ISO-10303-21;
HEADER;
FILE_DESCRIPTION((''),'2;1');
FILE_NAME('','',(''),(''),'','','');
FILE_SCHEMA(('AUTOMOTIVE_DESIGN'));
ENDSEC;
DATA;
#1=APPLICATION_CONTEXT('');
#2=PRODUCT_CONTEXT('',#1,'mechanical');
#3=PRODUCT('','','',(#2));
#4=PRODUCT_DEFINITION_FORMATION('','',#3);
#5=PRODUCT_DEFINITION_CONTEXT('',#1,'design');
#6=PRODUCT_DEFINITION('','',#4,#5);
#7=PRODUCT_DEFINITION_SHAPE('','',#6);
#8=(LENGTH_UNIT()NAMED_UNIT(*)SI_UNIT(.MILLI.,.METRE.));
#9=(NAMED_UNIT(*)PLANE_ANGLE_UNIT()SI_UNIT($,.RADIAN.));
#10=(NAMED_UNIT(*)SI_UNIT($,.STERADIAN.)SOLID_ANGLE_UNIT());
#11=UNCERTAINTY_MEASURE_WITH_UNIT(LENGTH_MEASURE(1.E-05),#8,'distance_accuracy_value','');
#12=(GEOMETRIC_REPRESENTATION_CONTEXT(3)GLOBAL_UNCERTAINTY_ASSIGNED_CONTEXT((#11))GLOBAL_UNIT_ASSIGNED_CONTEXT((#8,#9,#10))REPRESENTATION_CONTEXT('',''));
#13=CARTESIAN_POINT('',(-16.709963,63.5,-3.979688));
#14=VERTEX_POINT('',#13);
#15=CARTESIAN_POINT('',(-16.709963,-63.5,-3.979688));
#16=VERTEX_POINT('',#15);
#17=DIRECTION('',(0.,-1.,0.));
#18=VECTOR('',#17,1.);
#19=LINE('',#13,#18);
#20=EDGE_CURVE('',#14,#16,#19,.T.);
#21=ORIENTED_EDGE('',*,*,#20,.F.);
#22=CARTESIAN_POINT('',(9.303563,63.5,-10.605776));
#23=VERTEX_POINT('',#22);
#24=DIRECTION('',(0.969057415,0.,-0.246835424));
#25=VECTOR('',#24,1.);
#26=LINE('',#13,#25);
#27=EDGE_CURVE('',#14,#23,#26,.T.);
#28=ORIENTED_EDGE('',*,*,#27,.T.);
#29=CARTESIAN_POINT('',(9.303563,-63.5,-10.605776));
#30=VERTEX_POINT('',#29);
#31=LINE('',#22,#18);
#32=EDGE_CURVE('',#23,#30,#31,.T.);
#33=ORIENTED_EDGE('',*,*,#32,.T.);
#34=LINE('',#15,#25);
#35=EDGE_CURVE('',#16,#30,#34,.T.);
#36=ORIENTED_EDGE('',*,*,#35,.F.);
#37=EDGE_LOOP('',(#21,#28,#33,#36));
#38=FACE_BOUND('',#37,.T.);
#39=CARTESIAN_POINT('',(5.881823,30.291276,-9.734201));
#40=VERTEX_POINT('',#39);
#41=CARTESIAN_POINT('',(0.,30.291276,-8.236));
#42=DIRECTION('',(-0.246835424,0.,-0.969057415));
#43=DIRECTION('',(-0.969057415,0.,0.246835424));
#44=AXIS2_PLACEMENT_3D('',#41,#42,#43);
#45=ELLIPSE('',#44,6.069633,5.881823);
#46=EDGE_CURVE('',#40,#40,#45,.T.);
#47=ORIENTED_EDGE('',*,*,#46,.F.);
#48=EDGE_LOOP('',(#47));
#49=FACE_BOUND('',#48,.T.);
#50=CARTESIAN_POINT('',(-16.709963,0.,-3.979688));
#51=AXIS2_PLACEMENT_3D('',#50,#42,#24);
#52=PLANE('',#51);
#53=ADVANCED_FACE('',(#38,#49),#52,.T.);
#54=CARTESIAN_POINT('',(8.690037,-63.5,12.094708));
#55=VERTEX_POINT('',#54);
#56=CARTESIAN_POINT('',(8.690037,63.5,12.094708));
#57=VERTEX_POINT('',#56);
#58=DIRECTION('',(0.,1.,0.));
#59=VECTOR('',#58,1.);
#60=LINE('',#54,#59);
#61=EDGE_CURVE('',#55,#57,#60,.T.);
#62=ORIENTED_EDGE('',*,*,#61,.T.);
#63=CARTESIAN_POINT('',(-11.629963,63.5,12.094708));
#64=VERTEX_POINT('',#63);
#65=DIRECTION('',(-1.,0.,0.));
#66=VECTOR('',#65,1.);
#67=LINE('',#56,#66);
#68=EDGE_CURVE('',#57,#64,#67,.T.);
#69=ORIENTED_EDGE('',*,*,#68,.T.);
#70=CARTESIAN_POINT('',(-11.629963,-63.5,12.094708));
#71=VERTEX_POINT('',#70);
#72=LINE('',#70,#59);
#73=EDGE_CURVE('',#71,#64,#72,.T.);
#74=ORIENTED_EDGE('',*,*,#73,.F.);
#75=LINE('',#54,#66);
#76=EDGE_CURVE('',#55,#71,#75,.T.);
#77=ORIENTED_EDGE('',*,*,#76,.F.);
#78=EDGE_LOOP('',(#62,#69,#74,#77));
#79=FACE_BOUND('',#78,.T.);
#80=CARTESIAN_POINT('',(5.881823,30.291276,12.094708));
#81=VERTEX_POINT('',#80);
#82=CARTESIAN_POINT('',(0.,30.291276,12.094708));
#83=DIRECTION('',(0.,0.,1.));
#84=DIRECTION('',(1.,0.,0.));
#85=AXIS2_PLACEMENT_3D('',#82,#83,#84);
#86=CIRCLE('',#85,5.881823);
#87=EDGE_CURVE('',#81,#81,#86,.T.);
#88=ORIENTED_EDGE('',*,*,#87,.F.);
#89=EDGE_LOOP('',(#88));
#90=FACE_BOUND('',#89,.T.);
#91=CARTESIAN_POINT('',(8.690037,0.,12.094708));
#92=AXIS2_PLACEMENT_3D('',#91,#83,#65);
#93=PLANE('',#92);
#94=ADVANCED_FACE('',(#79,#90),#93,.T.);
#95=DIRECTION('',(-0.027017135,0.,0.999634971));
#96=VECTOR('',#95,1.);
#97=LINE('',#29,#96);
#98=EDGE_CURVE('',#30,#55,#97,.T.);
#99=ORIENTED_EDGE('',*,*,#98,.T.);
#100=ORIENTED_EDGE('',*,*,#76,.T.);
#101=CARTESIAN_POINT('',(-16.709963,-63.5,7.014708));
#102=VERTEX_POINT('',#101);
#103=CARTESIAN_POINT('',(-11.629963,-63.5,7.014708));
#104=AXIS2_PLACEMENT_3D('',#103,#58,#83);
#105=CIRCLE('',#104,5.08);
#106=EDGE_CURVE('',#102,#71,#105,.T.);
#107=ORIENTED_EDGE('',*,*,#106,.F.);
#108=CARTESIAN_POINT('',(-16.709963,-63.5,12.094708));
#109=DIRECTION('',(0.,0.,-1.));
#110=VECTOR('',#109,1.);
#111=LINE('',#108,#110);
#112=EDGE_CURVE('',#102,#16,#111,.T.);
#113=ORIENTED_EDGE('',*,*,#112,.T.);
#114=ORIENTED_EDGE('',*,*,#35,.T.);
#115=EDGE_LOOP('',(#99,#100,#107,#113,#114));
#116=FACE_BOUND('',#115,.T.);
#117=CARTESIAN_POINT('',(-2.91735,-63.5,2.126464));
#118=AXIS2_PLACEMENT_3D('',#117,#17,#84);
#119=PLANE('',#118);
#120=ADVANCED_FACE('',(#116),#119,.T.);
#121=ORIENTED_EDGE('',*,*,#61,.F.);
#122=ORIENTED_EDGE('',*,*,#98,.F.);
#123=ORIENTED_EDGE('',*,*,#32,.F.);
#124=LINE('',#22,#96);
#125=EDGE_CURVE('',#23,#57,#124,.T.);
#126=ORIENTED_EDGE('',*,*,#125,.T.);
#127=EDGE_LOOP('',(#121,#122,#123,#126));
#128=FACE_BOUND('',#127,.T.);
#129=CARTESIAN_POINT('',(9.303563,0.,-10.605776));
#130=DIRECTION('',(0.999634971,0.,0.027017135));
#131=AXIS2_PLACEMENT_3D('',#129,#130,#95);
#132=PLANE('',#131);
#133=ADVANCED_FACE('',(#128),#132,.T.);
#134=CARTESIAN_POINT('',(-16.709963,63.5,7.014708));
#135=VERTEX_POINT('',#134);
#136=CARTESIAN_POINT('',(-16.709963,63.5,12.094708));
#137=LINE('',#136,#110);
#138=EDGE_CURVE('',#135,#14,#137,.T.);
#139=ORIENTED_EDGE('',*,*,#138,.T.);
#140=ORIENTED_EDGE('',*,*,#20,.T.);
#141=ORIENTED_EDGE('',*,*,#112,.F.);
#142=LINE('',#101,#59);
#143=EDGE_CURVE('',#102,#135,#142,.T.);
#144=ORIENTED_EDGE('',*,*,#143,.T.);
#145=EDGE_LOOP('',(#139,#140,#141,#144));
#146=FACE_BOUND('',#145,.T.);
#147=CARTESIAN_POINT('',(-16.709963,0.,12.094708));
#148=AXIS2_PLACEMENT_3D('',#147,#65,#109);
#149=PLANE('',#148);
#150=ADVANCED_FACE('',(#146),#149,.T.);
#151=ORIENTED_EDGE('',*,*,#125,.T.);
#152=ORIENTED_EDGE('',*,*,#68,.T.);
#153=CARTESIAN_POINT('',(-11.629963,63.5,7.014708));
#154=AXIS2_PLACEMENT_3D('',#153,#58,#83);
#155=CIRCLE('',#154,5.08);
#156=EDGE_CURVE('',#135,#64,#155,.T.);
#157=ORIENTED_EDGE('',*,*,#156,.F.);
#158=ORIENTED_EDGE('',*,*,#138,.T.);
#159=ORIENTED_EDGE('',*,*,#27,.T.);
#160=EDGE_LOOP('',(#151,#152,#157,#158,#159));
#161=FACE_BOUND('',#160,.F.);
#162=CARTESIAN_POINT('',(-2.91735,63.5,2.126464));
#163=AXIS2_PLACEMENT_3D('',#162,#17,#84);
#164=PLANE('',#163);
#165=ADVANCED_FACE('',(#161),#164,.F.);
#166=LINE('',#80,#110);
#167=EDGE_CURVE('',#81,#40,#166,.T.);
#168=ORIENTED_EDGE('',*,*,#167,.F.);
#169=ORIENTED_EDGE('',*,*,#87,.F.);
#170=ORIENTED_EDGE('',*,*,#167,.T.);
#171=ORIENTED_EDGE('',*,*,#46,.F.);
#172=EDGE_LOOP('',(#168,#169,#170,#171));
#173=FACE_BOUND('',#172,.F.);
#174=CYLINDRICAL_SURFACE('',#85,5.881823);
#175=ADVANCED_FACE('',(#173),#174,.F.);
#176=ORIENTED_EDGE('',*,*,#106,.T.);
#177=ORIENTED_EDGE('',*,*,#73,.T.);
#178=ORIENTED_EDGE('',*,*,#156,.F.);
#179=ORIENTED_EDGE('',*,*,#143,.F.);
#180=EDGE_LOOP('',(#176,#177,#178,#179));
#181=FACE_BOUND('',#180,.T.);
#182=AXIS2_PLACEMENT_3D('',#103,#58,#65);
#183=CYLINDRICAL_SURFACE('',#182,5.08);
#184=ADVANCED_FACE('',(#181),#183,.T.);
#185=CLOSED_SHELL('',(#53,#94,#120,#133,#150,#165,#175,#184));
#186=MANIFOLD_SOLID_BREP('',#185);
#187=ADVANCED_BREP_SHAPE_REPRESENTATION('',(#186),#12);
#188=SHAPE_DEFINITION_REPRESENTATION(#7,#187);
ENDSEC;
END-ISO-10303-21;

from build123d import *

# Parameters (mm, degrees)
F1_DEPTH = 63.5
F2_R     = 5.08
F3_R     = 5.881823
F4_DEPTH = 25.4


with BuildPart() as f1:
    # F0 (on Front) → F1 (new body, symmetric)
    with BuildSketch(Plane.XZ):
        Polygon((-16.709963, 12.094708), (-16.709963, -3.979688), (9.303563, -10.605776), (8.690037, 12.094708), align=None)
    extrude(amount=F1_DEPTH, both=True)

    # F2
    f2_edges = [f1.edges().sort_by_distance(p)[0] for p in [
        (-16.709963, 0, 12.094708),
    ]]
    fillet(f2_edges, radius=F2_R)

    # F3 (on face) → F4 (cut)
    with BuildSketch(Plane.XY.offset(12.094708)):
        with Locations((0, 30.291276)):
            Circle(F3_R)
    extrude(amount=-F4_DEPTH, mode=Mode.SUBTRACT)


solid = f1.part
